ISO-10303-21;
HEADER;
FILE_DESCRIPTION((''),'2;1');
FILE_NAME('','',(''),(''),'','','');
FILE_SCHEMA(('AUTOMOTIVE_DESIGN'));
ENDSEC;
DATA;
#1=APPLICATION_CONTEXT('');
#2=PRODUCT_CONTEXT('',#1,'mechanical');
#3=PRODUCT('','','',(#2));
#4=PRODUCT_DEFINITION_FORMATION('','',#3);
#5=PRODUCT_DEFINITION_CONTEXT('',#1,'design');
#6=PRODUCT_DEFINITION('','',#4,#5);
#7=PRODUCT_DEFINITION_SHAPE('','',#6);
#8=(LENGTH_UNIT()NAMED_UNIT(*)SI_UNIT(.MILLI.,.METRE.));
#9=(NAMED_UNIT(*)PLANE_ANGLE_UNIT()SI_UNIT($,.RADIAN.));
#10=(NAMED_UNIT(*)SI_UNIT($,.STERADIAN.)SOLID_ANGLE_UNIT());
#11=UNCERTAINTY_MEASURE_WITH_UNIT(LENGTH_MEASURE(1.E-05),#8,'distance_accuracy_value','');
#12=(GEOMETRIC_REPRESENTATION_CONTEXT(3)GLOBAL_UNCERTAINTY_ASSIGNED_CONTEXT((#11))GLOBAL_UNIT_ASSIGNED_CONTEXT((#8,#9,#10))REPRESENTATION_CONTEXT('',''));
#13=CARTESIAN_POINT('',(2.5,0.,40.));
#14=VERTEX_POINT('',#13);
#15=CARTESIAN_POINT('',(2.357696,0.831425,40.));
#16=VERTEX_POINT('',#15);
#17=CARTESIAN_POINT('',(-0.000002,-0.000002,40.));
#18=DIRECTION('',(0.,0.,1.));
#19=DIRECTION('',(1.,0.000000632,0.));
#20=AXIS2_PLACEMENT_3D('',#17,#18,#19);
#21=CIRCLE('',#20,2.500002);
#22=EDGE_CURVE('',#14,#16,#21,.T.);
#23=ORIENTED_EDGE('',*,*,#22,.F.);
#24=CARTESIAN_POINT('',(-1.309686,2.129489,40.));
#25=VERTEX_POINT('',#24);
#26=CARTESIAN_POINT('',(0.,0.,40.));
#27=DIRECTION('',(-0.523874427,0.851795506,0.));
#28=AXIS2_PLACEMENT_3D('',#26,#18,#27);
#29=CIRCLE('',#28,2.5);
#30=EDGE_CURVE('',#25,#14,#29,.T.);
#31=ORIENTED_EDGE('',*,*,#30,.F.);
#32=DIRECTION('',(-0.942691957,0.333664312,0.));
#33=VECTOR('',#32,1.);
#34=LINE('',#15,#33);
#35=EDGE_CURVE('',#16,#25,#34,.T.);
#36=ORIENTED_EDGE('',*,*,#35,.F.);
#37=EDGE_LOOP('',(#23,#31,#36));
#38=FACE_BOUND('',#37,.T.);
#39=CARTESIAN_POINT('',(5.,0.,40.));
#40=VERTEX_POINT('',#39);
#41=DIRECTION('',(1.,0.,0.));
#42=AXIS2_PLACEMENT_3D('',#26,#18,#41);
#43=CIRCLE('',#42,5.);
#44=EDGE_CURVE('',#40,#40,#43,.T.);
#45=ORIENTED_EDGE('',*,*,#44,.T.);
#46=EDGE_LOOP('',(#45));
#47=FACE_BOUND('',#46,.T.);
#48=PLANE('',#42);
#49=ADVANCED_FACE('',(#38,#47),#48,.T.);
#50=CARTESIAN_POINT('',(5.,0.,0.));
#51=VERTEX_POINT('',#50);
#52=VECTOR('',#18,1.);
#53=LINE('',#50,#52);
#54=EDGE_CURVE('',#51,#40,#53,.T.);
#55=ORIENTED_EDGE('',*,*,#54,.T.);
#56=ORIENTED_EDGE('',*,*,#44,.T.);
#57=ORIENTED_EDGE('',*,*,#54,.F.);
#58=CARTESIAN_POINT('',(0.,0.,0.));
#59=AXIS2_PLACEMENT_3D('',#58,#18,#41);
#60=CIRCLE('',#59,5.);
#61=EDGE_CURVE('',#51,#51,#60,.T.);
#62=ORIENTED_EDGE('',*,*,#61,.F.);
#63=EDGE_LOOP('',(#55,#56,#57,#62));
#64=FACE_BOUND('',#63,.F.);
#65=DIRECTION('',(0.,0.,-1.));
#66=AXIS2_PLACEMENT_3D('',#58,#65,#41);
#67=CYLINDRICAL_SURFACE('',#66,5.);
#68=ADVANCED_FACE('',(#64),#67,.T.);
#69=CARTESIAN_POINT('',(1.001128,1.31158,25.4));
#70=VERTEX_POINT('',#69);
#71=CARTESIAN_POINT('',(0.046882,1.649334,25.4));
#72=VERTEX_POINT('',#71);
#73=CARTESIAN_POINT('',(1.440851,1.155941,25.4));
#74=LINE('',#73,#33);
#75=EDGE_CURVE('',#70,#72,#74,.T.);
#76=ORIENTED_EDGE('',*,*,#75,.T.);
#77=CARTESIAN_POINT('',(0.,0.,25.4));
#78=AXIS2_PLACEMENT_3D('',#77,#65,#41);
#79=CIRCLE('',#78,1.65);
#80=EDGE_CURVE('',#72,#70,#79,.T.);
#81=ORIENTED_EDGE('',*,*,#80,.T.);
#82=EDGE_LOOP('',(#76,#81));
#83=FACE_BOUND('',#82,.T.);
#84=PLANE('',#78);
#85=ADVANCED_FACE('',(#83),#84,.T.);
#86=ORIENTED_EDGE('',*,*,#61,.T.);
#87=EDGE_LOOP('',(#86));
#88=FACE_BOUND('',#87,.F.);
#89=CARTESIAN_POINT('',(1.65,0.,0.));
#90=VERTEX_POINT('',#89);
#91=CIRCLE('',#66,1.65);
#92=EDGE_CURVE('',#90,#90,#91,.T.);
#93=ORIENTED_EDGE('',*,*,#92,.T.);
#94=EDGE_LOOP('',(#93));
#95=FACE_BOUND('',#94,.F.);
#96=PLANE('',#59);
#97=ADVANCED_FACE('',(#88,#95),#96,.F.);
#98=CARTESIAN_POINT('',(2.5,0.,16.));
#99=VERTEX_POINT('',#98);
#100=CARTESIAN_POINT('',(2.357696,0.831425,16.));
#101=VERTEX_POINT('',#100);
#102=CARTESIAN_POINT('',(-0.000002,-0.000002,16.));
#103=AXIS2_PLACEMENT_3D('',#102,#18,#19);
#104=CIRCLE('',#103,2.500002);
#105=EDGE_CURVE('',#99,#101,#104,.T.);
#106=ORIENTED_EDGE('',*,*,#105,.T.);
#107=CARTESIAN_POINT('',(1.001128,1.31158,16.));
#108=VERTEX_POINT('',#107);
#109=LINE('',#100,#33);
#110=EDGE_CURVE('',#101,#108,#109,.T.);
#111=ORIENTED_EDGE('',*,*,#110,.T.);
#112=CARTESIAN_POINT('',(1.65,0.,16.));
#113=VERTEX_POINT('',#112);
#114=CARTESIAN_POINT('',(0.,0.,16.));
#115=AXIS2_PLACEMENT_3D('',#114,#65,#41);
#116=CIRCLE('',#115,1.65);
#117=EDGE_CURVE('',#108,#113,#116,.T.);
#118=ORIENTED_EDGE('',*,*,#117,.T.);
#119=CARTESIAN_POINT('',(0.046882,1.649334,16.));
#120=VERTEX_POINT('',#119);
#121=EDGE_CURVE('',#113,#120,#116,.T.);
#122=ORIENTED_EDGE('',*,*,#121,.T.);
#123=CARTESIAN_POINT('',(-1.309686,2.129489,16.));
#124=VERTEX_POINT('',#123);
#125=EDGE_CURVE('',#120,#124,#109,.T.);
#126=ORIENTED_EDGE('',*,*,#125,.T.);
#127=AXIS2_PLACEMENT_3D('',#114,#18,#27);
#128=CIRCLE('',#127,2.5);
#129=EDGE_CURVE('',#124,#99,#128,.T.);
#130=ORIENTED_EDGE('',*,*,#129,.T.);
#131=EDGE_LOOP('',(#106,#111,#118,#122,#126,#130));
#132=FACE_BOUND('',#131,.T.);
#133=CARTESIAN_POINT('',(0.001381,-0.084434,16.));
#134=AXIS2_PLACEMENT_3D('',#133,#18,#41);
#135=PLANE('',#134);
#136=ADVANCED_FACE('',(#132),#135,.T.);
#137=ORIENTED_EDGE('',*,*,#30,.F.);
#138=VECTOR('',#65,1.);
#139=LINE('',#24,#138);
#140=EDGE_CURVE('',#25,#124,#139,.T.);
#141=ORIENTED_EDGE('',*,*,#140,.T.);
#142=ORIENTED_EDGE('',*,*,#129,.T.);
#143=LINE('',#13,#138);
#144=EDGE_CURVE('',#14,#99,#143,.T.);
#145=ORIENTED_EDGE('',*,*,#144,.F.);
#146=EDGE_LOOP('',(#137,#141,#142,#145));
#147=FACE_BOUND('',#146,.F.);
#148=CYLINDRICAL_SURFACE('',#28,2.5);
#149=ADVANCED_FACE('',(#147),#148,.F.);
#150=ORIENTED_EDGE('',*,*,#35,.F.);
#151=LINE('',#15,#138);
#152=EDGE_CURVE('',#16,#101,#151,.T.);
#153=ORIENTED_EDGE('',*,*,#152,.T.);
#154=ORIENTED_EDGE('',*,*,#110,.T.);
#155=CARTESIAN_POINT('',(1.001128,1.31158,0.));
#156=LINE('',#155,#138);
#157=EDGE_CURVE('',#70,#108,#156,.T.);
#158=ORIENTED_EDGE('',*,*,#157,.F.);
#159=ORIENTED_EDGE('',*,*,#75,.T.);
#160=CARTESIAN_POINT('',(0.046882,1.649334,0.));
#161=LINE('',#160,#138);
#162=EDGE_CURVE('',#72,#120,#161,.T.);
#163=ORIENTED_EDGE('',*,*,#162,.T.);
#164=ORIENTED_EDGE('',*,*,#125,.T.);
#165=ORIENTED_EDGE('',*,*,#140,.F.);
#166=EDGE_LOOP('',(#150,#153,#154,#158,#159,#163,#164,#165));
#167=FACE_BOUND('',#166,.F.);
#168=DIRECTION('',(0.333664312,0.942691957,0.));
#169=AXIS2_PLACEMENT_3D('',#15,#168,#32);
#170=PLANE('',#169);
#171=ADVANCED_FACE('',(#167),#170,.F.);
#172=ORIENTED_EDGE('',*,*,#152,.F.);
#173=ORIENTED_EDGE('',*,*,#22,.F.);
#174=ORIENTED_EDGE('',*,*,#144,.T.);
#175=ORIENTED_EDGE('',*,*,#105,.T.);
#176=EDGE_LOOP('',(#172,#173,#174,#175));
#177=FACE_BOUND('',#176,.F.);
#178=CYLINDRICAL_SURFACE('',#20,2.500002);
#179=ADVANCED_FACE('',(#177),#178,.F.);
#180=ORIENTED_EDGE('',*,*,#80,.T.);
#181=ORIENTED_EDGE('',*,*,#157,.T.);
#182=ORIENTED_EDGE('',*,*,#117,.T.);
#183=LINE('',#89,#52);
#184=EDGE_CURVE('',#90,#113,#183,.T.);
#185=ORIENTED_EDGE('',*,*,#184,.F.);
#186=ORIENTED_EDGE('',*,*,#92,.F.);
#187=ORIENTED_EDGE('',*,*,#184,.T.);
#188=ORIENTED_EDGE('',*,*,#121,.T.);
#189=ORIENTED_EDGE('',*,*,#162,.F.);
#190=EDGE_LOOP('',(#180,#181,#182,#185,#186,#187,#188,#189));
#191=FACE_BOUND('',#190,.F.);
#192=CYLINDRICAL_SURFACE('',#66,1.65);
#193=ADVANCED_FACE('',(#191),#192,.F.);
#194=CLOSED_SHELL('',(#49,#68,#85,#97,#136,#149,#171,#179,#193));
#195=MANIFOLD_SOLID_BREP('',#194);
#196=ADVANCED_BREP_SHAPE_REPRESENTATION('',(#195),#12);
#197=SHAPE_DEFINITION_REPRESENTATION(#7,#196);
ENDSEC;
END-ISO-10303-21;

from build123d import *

# Parameters (mm, degrees)
F0_R     = 5
F1_DEPTH = 40
F3_DEPTH = 24
F4_R     = 1.65
F5_DEPTH = 25.4


with BuildPart() as f1:
    # F0 (on Top) → F1 (new body)
    with BuildSketch(Plane.XY):
        Circle(F0_R)
    extrude(amount=F1_DEPTH)

    # F2 (on face) → F3 (cut)
    with BuildSketch(Plane.XY.offset(40)):
        with BuildLine():
            ThreePointArc((-1.309686, 2.129489), (-1.219792, -2.182225), (2.5, 0))
            ThreePointArc((2.5, 0), (2.464167, 0.421758), (2.357696, 0.831425))
            Line((2.357696, 0.831425), (-1.309686, 2.129489))
        make_face()
    extrude(amount=-F3_DEPTH, mode=Mode.SUBTRACT)

    # F4 (on face) → F5 (cut)
    with BuildSketch(Plane(origin=(0, 0, 0), x_dir=(1, 0, 0), z_dir=(0, 0, -1))):
        Circle(F4_R)
    extrude(amount=-F5_DEPTH, mode=Mode.SUBTRACT)


solid = f1.part
